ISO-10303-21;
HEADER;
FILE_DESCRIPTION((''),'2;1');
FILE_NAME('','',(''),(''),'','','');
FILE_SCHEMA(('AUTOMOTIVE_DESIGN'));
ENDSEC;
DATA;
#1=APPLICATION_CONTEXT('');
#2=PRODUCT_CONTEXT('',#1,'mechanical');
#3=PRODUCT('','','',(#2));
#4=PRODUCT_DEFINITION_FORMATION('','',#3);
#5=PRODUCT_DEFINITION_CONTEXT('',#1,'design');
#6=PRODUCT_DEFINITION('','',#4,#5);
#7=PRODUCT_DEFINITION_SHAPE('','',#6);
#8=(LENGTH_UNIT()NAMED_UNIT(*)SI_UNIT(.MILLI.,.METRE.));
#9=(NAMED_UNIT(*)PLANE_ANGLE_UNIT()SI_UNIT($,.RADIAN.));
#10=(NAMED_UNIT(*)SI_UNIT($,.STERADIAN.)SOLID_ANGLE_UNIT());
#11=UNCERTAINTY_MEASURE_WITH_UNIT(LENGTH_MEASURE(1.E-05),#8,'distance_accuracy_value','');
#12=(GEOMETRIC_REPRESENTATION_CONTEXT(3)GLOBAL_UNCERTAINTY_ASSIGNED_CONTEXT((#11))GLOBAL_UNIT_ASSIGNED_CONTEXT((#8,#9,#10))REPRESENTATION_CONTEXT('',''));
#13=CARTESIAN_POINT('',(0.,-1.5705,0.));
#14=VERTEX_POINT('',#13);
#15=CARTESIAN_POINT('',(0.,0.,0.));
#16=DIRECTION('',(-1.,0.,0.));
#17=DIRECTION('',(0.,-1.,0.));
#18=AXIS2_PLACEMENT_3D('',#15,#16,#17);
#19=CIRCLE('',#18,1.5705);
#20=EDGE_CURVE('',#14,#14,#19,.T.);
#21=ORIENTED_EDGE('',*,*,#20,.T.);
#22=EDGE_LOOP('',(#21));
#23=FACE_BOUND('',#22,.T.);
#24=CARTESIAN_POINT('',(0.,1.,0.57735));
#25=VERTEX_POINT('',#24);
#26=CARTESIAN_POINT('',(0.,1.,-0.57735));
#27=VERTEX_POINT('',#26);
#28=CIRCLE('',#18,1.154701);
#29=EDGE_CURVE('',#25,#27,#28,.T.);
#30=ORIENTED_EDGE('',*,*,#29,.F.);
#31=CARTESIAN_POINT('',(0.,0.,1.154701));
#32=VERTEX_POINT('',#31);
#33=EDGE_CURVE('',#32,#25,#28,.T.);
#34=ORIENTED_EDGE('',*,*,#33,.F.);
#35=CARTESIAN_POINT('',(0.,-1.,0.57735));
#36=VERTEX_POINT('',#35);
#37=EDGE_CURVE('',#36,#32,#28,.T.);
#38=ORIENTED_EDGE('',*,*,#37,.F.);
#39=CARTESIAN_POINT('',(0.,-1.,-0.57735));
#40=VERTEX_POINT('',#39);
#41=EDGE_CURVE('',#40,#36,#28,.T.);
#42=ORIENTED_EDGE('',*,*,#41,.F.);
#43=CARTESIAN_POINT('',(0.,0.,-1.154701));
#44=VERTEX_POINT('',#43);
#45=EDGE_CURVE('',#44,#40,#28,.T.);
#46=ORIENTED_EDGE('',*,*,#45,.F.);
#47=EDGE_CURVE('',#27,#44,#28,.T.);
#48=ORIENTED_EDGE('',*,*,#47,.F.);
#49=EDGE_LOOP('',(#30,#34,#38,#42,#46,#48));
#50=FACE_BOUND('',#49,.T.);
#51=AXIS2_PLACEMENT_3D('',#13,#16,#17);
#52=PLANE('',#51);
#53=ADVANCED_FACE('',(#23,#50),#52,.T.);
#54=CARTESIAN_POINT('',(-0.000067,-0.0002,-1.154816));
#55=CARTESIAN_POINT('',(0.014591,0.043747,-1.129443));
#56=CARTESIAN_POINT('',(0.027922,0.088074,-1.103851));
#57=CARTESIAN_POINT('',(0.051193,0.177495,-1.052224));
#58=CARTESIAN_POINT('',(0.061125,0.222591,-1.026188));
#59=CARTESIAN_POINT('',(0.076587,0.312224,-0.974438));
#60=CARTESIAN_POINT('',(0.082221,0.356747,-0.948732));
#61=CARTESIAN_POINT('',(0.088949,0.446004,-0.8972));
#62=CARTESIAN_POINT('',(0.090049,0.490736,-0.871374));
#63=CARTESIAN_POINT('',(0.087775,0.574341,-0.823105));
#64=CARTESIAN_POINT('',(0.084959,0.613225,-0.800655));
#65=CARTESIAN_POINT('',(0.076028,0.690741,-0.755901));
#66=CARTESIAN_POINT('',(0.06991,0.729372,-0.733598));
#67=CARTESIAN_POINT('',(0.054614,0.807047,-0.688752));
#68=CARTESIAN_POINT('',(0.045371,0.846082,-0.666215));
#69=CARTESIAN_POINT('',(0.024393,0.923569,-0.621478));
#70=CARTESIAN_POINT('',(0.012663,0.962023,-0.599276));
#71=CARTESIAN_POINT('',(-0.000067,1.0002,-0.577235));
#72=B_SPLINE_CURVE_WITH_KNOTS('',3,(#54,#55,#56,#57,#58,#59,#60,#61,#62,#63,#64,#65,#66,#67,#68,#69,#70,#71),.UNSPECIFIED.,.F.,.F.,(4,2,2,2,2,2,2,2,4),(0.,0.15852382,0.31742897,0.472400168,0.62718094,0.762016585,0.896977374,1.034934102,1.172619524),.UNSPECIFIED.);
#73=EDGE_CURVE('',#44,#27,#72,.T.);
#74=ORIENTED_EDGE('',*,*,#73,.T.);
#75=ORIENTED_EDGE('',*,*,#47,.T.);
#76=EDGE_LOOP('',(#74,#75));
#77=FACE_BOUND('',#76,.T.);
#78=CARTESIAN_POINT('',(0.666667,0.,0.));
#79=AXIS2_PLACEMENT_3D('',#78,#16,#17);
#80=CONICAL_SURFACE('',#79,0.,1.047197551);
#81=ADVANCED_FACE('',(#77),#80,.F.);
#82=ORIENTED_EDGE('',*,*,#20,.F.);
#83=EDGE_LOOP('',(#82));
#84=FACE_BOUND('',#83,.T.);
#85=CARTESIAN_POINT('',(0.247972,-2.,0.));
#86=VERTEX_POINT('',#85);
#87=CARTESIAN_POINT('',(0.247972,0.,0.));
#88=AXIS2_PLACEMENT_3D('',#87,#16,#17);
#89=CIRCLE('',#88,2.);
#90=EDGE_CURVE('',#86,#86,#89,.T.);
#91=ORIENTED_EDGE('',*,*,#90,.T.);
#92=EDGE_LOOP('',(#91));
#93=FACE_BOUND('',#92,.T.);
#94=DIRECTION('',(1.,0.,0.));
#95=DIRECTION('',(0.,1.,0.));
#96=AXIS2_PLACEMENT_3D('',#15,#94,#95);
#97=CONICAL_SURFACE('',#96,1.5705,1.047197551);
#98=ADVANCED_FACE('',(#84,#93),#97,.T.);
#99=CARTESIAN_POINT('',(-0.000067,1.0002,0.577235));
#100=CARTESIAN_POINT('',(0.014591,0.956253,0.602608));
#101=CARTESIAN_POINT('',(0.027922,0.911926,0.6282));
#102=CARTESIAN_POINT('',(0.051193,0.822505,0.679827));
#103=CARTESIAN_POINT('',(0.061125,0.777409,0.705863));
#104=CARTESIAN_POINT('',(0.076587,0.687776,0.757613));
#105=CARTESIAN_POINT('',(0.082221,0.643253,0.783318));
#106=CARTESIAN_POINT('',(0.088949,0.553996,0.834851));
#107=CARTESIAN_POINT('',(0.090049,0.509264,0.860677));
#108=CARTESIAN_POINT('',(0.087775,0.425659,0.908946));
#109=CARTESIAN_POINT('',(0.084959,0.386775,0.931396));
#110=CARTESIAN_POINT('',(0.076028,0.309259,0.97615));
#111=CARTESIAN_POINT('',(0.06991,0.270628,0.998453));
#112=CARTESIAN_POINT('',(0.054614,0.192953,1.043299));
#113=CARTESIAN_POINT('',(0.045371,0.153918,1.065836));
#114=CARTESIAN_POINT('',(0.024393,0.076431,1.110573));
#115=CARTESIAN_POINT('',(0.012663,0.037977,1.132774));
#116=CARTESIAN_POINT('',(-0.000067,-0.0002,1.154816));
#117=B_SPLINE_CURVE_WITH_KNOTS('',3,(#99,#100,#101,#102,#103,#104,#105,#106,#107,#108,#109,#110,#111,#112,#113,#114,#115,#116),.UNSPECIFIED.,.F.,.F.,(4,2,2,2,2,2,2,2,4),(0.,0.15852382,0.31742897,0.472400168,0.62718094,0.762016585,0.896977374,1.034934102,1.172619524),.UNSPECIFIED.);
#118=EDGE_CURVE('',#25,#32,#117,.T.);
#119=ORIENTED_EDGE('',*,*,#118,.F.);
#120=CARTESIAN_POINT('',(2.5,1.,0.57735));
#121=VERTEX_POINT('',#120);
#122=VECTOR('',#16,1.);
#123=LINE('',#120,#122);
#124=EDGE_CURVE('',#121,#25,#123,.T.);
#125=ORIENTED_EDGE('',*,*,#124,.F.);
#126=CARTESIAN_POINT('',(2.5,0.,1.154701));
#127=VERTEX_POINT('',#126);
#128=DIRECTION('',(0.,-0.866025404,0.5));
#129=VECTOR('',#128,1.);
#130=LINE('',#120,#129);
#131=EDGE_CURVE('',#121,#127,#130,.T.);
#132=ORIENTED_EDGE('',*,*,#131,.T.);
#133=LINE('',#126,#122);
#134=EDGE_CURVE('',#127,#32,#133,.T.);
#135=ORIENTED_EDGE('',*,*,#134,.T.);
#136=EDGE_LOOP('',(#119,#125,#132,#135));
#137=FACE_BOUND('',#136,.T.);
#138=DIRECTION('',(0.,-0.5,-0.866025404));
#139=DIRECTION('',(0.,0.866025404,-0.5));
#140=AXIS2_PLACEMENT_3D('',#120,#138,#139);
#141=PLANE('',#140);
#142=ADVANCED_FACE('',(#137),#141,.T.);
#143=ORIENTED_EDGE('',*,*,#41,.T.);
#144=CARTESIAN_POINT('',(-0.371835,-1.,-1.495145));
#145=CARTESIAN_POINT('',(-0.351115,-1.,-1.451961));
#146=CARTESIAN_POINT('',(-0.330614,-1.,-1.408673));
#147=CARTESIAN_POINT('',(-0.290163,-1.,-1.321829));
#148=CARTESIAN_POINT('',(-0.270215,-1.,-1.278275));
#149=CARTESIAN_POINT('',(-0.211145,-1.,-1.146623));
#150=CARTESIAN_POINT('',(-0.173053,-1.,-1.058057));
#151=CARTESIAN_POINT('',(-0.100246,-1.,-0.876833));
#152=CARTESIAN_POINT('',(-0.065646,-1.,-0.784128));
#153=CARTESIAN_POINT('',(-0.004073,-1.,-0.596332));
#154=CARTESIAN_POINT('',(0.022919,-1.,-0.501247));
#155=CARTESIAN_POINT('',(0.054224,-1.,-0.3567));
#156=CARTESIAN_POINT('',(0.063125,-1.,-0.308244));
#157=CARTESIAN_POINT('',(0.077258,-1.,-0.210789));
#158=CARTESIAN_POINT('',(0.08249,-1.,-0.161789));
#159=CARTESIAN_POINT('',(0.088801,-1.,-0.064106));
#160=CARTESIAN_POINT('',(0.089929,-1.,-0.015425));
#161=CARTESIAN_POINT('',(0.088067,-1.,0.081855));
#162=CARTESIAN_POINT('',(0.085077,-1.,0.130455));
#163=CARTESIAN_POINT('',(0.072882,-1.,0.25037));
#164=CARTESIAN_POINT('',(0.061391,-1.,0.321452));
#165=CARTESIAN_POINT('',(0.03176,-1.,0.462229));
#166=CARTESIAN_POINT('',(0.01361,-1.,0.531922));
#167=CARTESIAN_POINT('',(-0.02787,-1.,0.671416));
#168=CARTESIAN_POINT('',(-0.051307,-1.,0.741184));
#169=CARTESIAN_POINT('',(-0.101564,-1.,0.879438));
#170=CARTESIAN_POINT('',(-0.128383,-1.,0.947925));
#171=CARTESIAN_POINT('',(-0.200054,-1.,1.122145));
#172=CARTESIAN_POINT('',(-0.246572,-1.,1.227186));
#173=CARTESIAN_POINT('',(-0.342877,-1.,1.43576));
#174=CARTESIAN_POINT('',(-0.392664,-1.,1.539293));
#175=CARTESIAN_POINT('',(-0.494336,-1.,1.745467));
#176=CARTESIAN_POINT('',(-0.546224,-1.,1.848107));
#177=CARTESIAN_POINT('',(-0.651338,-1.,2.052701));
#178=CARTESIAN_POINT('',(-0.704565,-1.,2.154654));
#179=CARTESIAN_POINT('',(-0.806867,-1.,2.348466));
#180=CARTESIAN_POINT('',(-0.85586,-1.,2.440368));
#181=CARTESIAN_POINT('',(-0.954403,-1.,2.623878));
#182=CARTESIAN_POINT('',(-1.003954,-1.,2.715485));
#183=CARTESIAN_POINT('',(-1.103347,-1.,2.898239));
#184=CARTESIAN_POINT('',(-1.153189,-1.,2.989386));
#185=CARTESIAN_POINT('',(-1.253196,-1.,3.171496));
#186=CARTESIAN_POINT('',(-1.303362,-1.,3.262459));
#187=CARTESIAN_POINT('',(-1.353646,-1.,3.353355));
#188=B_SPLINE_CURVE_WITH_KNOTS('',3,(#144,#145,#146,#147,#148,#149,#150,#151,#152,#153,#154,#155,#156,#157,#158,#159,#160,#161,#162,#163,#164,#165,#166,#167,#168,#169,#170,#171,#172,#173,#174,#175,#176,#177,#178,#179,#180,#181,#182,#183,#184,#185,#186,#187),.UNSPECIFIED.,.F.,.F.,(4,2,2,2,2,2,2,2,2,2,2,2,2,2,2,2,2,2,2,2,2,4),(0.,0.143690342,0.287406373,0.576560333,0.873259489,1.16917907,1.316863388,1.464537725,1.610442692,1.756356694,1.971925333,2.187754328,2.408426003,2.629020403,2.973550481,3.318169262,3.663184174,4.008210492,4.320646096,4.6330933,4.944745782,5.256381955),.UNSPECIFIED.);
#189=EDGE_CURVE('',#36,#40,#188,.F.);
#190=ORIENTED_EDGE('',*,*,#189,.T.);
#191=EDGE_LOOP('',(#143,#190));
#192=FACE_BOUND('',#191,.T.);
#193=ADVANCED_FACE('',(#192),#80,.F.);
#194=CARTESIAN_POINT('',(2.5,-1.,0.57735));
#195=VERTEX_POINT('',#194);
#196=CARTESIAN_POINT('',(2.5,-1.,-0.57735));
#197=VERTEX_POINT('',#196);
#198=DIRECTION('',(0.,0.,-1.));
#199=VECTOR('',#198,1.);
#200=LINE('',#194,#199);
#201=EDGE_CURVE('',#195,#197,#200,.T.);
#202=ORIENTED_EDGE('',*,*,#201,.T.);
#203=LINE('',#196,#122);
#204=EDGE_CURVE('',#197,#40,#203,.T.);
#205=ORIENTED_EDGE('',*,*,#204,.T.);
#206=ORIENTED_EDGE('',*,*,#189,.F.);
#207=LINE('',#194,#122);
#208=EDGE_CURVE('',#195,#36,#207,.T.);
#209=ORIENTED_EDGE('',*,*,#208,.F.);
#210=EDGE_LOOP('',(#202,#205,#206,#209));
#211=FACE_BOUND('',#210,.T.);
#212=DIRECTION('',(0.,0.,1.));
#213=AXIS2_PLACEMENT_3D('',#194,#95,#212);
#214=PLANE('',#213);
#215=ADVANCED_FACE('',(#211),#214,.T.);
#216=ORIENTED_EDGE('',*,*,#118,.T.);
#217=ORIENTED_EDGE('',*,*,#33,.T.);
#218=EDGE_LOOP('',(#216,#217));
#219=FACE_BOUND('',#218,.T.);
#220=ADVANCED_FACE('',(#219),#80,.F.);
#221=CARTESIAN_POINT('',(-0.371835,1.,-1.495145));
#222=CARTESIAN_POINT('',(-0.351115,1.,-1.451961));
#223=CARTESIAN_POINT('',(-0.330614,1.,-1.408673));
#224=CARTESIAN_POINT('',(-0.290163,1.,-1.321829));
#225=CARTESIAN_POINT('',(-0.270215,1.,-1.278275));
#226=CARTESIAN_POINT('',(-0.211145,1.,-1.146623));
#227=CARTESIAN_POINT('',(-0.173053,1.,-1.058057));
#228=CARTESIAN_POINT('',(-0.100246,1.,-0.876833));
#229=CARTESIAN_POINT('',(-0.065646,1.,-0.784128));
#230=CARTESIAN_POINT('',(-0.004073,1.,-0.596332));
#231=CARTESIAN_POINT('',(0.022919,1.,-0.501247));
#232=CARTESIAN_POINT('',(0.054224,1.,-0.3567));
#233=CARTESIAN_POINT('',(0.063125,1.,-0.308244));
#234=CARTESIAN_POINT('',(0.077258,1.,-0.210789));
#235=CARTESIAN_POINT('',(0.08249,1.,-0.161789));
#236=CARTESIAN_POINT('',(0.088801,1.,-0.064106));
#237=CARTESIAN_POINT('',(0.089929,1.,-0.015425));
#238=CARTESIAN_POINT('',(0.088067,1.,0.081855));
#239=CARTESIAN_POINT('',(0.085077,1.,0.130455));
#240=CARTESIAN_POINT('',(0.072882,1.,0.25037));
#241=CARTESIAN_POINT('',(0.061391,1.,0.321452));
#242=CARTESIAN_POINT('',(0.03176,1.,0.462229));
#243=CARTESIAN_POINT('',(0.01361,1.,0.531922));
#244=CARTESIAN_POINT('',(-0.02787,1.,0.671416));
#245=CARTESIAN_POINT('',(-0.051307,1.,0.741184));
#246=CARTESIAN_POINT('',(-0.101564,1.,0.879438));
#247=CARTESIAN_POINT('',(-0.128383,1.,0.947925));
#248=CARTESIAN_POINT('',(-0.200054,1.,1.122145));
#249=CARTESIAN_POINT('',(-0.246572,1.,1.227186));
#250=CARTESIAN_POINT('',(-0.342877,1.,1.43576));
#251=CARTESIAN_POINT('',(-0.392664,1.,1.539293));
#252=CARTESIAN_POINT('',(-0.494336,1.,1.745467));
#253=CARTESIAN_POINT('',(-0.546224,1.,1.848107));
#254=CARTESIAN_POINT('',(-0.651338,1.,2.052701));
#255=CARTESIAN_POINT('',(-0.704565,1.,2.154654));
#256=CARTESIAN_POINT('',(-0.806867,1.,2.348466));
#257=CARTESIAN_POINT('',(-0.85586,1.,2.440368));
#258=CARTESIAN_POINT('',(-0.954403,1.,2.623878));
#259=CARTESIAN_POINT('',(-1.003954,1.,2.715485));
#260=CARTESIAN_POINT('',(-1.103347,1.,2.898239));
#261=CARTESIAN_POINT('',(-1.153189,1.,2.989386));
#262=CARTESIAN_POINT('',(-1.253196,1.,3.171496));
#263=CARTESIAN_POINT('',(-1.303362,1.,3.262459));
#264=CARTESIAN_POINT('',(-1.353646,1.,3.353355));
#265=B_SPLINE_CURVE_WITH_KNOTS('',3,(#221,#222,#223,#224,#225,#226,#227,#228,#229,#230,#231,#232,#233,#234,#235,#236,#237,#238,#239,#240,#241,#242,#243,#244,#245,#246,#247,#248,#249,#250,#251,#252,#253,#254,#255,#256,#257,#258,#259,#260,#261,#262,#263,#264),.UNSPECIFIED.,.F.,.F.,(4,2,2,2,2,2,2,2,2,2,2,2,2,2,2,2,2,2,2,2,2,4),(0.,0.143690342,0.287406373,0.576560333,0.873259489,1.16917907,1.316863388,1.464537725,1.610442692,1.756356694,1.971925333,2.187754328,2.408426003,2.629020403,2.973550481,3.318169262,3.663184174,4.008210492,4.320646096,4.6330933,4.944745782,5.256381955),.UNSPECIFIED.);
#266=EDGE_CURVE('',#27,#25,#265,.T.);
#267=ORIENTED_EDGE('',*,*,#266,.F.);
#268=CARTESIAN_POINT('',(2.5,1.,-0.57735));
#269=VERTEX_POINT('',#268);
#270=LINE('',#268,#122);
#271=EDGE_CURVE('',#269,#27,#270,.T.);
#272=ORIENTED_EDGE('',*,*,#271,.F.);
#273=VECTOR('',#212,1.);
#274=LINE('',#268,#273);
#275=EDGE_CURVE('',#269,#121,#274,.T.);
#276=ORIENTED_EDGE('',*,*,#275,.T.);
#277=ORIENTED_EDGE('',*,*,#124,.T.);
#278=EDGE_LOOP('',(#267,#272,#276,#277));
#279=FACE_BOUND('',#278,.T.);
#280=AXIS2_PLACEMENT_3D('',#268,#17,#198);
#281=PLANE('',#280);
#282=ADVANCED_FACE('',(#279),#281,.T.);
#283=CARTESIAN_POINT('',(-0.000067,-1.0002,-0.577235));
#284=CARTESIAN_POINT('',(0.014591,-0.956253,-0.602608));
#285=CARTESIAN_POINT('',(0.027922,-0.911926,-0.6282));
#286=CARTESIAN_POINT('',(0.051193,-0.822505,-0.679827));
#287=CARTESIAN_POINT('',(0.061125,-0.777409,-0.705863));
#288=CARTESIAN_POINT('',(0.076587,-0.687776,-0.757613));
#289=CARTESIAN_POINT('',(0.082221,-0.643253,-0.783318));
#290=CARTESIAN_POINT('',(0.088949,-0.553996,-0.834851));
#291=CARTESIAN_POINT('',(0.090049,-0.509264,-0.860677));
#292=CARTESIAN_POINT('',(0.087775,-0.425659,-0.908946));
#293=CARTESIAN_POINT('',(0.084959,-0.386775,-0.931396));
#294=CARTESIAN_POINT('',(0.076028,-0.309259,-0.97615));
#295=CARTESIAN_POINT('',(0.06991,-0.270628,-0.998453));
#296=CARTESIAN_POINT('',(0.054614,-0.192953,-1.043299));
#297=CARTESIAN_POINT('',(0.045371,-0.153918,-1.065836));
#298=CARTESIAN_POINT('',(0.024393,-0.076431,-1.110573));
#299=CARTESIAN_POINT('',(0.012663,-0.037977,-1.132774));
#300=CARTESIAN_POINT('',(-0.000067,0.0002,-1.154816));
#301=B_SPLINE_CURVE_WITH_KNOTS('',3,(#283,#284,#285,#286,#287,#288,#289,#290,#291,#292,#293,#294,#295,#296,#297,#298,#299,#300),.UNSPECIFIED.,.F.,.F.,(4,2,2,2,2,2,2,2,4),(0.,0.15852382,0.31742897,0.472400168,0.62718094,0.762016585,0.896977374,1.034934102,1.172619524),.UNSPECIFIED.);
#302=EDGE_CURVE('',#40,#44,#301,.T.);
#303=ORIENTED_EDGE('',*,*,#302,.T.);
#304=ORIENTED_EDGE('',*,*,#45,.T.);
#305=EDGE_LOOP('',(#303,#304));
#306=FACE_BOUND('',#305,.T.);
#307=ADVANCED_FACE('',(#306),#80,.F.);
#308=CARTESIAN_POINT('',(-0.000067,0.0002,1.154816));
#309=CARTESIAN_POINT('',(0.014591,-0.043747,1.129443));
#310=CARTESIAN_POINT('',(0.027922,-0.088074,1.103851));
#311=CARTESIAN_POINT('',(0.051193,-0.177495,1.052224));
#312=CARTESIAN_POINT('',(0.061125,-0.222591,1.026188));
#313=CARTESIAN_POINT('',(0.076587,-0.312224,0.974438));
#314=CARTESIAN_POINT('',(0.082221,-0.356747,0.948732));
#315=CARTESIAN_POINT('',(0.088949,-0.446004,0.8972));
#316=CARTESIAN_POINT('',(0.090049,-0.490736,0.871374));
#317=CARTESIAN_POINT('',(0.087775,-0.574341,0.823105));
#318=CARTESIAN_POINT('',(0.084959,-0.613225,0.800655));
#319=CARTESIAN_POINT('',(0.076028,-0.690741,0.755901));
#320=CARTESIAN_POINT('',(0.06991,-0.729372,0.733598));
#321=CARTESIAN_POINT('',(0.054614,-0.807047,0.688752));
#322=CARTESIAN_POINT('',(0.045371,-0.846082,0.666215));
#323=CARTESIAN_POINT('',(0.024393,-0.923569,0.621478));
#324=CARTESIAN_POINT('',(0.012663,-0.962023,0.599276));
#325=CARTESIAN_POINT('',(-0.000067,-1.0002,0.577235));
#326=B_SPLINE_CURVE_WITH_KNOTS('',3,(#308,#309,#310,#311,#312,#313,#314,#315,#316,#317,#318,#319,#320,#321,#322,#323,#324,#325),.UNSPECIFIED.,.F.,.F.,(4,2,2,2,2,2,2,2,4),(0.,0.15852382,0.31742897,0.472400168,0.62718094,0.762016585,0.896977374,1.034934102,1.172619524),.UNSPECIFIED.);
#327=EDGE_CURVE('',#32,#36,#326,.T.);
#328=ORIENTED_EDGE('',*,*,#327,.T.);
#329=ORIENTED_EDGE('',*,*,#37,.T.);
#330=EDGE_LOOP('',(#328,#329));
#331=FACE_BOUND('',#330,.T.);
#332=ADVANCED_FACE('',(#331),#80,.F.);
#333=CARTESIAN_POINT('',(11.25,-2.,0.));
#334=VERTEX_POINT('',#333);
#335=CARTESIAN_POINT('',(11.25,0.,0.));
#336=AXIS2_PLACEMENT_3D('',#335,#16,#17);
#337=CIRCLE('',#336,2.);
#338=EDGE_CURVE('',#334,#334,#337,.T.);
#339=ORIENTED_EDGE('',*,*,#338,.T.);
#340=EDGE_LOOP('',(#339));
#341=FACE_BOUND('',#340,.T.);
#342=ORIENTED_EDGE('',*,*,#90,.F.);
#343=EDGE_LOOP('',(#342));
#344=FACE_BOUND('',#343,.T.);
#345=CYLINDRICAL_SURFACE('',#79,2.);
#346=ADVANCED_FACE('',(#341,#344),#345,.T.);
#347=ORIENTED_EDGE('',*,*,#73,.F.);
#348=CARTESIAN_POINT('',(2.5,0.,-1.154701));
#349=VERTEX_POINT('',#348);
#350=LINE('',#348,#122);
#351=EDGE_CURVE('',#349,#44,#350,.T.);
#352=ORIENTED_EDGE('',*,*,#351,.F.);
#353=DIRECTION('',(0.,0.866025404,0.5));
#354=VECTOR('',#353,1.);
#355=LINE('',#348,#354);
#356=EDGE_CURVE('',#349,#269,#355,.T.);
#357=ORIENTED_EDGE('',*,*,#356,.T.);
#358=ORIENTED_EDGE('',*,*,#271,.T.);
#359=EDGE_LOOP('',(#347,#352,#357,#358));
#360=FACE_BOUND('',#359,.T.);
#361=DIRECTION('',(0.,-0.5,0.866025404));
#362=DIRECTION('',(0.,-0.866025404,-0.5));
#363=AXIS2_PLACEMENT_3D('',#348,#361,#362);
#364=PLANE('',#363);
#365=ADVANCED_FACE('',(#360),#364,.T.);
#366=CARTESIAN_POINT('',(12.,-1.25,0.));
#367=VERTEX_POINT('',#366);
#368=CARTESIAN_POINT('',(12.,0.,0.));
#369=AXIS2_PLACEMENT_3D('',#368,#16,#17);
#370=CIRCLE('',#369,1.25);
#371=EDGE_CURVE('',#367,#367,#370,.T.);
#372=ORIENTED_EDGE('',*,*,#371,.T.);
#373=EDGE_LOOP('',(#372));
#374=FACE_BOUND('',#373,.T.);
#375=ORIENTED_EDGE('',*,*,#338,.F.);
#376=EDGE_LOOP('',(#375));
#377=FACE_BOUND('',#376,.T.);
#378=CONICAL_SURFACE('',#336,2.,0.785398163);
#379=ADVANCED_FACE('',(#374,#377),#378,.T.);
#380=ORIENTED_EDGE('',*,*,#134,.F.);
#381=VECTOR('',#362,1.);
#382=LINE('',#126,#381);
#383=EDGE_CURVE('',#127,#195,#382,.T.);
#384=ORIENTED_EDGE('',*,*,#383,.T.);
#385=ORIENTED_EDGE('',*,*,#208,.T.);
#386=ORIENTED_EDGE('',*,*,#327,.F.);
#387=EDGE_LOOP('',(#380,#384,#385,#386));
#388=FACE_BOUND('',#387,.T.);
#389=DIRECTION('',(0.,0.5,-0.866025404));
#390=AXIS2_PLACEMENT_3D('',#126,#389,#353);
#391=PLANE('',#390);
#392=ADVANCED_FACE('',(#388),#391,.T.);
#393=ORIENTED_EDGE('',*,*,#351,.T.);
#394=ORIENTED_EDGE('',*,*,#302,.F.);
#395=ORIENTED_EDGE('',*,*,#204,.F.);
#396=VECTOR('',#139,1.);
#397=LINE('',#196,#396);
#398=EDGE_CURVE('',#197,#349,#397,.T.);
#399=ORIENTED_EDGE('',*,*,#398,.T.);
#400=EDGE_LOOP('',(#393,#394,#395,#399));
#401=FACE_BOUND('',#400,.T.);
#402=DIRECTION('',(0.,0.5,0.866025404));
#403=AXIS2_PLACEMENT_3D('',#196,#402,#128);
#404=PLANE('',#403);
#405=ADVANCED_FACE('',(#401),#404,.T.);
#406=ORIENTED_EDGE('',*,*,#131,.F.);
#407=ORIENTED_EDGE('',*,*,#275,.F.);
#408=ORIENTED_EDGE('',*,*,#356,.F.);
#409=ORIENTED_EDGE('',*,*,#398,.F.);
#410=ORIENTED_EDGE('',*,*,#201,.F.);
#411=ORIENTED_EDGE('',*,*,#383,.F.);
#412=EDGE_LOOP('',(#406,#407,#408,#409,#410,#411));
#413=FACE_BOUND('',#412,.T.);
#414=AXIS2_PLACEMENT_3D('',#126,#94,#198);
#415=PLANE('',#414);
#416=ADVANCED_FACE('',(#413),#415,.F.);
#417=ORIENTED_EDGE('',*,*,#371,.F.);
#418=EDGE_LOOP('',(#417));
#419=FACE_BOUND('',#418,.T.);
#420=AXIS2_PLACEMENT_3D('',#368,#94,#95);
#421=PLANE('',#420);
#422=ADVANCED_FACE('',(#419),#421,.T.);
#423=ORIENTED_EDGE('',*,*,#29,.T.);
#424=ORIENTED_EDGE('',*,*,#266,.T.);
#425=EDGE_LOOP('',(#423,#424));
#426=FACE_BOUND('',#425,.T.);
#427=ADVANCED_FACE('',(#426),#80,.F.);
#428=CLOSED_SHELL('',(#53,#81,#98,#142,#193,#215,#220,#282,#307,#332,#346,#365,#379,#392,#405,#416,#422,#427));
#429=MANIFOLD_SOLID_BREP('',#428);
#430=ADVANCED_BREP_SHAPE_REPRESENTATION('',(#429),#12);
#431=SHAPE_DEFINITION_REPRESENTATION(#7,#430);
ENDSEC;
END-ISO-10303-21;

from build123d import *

# Parameters (mm, degrees)
CUT_EXTRUDE1_DEPTH = 2.5


with BuildPart() as part:
    # Sketch1 → Revolve1 (revolve)
    with BuildSketch(Plane.XY):
        Polygon((12, 0), (12, -1.25), (11.25, -2), (0.247971941, -2), (0, -1.5705), (0, -1.154700538), (0.666666667, 0), align=None)
    revolve(axis=Axis((0.666666667, 0, 0), (1, 0, 0)))

    # Sketch2 → Cut-Extrude1 (cut)
    with BuildSketch(Plane(origin=(0, 0, 0), x_dir=(0, 0, -1), z_dir=(1, 0, 0))):
        Polygon((-1.154700538, 0), (-0.577350269, -1), (0.577350269, -1), (1.154700538, 0), (0.577350269, 1), (-0.577350269, 1), align=None)
    extrude(amount=CUT_EXTRUDE1_DEPTH, mode=Mode.SUBTRACT)


solid = part.part
